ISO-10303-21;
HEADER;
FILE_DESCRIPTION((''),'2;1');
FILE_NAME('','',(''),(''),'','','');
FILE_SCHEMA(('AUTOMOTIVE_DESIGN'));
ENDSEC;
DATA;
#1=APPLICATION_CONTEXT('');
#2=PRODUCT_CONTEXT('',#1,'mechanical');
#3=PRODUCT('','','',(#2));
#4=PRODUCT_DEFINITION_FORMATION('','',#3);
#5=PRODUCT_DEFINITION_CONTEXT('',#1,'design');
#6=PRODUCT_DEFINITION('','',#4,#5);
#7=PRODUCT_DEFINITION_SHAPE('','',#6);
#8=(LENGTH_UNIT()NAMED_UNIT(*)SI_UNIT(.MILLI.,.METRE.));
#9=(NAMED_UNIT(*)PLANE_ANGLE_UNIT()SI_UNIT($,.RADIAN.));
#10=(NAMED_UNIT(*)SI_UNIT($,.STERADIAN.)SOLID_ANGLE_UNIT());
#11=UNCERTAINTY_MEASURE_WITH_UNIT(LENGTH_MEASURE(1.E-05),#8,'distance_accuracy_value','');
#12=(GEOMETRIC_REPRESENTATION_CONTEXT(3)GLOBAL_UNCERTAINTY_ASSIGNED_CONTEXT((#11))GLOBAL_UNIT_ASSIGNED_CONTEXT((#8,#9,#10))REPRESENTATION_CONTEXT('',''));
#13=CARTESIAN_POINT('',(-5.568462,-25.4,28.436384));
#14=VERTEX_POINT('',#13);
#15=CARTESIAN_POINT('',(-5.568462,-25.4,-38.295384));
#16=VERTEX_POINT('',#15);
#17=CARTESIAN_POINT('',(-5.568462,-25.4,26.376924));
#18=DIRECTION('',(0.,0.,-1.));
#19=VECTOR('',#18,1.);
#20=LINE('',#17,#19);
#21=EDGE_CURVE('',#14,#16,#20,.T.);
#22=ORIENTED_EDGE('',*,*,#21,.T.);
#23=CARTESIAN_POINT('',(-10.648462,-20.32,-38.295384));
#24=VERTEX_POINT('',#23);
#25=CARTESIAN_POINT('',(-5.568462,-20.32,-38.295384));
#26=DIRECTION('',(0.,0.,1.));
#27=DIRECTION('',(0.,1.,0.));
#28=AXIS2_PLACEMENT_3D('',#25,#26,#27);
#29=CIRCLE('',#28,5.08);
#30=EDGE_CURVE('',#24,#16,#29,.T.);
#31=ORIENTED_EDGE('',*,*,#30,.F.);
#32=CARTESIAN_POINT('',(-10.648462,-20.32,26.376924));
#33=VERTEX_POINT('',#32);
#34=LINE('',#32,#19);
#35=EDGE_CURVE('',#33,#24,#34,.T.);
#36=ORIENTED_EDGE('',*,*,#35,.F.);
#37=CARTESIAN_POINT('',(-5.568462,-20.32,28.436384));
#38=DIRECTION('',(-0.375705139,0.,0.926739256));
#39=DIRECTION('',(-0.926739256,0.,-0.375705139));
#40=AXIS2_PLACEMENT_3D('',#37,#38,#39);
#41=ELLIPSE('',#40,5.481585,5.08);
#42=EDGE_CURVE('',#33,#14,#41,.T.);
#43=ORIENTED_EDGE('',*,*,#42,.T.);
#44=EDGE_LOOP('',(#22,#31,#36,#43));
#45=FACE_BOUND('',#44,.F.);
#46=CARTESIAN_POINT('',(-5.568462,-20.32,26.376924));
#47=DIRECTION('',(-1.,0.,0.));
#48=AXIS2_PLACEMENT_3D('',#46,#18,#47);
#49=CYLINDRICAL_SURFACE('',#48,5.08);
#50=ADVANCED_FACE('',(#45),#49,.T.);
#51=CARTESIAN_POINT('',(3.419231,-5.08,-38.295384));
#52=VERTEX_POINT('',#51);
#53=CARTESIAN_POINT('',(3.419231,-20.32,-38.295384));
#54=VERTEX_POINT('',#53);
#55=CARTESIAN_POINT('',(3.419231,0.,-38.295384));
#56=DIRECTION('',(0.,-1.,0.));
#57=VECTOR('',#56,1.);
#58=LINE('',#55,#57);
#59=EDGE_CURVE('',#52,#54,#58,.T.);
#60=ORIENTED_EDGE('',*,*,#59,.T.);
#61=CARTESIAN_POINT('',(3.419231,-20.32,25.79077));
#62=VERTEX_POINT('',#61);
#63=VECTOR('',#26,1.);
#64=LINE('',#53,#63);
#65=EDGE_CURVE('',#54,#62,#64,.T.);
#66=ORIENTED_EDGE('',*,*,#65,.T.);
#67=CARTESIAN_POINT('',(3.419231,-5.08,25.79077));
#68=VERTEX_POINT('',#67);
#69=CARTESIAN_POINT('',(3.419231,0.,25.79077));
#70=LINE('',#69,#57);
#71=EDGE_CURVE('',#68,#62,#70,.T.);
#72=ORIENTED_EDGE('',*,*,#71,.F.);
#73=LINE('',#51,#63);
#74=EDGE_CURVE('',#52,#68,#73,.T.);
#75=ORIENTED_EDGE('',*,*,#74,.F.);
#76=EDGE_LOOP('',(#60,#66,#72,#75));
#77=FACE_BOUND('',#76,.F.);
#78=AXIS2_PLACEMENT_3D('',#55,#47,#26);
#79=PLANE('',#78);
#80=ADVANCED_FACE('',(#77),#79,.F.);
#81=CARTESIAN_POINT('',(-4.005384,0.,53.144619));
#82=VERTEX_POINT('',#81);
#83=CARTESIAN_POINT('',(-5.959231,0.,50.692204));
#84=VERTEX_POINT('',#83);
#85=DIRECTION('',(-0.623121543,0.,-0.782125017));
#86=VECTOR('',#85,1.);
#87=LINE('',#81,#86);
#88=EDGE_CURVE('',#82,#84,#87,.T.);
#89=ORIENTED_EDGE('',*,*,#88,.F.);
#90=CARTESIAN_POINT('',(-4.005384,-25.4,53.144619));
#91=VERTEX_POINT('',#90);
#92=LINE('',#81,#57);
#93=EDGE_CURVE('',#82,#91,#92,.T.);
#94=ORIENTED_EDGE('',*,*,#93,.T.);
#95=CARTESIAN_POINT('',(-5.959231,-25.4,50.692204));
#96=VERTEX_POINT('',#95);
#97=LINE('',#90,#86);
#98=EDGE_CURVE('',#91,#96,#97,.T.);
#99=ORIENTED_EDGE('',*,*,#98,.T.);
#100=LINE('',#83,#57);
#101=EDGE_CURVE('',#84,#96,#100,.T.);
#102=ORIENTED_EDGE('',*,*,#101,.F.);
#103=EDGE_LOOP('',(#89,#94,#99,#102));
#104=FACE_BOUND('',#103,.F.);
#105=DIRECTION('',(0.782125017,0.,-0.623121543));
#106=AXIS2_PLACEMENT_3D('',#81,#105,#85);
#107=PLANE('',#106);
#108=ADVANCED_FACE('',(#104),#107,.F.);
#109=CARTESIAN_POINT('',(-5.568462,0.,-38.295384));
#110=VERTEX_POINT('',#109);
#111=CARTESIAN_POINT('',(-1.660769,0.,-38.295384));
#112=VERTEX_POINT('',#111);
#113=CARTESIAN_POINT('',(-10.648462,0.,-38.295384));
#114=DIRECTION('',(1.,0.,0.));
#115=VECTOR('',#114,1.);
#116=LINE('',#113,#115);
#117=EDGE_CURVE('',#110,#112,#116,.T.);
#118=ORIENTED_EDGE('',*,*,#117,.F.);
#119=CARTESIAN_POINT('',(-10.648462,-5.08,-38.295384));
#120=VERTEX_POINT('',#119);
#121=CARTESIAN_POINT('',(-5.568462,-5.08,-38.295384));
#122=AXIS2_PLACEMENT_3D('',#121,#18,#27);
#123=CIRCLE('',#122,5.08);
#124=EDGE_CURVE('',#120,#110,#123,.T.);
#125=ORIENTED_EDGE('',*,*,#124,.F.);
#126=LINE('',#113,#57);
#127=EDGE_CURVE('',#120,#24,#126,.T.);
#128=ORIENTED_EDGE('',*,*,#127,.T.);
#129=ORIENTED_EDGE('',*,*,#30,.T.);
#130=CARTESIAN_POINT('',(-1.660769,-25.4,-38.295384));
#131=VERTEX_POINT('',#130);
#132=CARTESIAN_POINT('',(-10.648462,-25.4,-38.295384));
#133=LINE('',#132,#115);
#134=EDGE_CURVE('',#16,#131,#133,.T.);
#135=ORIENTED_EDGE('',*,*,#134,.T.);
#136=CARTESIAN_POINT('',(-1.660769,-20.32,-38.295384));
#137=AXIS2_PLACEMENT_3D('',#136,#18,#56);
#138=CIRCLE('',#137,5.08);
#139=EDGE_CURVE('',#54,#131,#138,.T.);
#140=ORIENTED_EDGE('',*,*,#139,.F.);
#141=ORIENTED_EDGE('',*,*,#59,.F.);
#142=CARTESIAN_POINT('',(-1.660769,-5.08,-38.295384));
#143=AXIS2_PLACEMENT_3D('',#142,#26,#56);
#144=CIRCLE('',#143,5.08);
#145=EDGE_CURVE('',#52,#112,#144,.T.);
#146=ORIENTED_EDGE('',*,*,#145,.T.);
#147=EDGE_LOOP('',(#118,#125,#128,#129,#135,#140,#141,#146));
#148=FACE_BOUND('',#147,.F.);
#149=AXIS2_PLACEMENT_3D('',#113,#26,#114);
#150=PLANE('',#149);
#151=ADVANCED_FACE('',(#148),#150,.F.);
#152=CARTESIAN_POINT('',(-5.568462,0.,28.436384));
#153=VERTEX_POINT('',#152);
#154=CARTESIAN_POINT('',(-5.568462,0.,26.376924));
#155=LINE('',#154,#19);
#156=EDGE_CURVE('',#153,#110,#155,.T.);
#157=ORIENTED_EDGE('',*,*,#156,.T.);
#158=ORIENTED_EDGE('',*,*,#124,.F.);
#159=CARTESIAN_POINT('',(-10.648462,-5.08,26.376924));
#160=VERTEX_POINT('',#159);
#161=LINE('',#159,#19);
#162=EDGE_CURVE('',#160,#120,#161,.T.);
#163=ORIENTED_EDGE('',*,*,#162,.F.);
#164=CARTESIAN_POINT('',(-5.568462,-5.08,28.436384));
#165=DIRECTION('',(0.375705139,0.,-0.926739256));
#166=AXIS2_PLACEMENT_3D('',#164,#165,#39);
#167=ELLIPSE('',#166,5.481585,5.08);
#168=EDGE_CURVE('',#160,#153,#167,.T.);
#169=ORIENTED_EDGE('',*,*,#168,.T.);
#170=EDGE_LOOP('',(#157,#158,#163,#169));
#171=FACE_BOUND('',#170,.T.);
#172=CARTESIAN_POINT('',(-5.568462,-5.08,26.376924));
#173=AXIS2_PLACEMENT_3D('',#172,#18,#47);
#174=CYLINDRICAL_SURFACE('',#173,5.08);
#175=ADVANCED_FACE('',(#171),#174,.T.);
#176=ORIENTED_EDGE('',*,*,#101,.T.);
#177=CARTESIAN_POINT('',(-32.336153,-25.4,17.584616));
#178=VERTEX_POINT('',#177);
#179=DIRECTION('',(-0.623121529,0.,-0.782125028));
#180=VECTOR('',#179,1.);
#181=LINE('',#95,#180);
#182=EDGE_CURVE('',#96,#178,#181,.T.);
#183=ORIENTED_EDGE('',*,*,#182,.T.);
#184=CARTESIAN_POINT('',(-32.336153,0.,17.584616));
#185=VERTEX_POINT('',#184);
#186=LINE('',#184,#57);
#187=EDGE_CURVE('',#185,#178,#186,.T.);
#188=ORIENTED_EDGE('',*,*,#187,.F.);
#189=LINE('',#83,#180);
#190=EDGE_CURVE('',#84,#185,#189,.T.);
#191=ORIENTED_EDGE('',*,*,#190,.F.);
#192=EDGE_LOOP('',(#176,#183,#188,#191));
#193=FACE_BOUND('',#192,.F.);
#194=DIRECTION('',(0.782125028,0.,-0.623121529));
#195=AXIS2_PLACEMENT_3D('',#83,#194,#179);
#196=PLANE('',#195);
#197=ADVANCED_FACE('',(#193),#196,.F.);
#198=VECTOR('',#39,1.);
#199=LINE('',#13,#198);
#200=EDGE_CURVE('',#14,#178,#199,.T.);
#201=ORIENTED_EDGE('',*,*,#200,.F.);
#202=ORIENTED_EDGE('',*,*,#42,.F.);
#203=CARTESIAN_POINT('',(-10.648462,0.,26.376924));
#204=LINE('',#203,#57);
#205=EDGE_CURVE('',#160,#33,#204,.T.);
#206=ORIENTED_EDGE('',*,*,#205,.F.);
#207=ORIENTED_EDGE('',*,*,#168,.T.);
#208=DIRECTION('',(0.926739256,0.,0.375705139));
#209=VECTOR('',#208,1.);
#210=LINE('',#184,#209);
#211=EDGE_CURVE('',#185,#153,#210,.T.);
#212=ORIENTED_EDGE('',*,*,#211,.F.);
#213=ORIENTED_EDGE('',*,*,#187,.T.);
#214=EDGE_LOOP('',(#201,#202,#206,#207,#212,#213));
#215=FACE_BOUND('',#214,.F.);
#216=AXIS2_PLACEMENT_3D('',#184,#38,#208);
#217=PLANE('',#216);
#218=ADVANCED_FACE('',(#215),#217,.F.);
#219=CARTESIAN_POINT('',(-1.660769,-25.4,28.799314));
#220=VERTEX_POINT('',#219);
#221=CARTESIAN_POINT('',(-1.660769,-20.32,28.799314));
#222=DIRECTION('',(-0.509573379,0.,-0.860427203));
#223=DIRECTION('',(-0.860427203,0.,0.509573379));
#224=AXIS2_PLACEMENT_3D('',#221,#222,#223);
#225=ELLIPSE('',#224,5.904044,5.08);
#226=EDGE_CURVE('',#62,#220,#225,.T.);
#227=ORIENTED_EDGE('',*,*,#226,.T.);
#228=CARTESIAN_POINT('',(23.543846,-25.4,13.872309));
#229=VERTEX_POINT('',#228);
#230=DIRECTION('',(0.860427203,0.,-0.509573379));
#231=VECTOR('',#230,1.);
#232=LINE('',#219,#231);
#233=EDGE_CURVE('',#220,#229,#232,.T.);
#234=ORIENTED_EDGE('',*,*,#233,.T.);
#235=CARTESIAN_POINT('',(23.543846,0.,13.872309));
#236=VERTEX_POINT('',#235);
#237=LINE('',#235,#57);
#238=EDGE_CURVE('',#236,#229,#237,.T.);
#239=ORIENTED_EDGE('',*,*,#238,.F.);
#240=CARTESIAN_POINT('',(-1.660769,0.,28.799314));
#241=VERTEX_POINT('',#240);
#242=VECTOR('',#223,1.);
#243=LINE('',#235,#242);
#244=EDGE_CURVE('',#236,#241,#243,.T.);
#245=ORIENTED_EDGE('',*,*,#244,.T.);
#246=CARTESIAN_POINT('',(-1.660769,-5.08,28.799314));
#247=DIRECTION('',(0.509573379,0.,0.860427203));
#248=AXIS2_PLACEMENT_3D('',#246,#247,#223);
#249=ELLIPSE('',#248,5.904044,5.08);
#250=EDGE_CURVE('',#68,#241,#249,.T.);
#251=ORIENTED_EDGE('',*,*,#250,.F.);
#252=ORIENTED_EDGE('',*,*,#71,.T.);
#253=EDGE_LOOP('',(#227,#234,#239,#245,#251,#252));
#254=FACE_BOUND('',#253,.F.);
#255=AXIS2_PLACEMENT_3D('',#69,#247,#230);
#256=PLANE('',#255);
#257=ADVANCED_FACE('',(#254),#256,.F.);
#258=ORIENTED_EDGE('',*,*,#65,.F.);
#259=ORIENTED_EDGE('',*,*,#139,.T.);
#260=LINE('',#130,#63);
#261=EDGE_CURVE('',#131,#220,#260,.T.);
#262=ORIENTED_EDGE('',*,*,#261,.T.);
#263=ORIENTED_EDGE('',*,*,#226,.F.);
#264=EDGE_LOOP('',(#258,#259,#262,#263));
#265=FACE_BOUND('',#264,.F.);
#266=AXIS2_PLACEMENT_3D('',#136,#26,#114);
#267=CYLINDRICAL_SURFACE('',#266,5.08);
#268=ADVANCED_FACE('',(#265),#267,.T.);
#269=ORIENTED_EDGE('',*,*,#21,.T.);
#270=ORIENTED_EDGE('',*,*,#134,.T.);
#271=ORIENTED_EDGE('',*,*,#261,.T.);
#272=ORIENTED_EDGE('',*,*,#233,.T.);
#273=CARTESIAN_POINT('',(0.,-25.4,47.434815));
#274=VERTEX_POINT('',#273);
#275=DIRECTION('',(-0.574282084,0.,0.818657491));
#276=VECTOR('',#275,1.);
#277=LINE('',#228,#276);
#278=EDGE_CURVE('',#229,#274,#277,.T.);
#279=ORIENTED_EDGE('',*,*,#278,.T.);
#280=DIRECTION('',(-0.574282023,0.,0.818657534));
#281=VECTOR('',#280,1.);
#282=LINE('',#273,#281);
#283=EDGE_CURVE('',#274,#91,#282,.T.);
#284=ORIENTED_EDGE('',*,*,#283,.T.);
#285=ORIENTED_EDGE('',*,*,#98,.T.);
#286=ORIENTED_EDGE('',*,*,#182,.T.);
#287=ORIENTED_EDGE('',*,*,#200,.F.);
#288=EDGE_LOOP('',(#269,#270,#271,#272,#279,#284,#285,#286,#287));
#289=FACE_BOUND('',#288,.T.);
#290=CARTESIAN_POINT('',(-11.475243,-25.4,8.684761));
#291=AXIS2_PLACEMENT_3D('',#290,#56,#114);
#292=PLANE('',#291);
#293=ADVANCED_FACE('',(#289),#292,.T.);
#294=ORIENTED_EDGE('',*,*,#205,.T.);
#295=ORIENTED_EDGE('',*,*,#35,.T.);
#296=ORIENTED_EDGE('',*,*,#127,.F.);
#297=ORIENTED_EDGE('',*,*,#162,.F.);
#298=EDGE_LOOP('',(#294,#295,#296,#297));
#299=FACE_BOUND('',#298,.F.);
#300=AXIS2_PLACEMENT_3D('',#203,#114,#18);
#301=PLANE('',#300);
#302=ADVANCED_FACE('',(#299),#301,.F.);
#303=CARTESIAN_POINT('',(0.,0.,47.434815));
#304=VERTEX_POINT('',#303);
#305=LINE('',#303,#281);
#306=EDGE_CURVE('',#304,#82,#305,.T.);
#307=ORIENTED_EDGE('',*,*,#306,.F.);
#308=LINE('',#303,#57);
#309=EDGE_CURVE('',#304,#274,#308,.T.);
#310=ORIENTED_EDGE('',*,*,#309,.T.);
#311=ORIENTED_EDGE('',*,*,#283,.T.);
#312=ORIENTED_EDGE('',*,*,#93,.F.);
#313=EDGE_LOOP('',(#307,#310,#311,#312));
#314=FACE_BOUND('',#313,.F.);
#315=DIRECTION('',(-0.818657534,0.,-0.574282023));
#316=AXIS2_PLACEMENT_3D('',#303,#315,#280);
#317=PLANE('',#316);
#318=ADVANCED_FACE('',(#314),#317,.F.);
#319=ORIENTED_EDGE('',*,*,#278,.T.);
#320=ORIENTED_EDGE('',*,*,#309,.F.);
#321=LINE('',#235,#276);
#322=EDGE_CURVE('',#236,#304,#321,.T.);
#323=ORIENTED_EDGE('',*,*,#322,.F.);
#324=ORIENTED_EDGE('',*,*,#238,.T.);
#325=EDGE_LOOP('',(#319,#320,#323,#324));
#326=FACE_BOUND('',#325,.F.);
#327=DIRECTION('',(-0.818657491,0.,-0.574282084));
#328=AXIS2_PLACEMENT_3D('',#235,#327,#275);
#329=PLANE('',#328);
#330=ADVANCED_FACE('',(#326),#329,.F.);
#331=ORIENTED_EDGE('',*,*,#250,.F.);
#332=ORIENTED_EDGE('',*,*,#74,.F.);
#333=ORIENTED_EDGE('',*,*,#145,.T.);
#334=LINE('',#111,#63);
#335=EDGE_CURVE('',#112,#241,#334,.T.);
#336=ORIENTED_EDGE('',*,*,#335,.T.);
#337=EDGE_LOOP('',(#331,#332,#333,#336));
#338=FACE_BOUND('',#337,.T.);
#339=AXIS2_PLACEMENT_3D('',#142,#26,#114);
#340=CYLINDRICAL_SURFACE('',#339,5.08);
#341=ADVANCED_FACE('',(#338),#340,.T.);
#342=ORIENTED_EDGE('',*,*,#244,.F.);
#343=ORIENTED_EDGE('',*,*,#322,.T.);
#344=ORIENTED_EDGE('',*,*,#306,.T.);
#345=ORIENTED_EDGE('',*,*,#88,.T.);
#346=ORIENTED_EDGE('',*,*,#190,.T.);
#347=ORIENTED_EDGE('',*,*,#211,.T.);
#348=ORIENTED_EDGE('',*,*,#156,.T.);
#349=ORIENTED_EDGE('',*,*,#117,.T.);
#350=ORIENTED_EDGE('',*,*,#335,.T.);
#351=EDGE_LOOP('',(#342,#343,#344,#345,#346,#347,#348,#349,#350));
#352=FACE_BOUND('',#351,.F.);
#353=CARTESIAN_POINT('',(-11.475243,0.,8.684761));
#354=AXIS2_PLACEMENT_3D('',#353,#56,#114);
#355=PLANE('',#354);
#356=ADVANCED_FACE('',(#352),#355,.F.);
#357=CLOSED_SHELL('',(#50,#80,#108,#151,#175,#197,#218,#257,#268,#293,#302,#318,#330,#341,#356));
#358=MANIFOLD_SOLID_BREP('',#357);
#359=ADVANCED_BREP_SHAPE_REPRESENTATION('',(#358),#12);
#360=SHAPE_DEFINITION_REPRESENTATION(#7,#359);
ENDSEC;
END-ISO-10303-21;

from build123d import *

# Parameters (mm, degrees)
F1_DEPTH = 25.4
F2_R     = 5.08


with BuildPart() as f1:
    # F0 (on Front) → F1 (new body)
    with BuildSketch(Plane.XZ):
        Polygon((-32.336153, 17.584616), (-10.648462, 26.376924), (-10.648462, -38.295384), (-5.959231, -38.295384), (-5.959231, 50.692204), align=None)
        Polygon((-5.959231, 50.692204), (-5.959231, -38.295384), (0, -38.295384), (0, 47.434815), (-4.005384, 53.144619), align=None)
        Polygon((0, 47.434815), (0, -38.295384), (3.419231, -38.295384), (3.419231, 25.79077), (23.543846, 13.872309), align=None)
    extrude(amount=F1_DEPTH)

    # F2
    f2_edges = [f1.edges().sort_by_distance(p)[0] for p in [
        (3.419231, -25.4, -6.252307),
        (-10.648462, -25.4, -5.95923),
        (3.419231, 0, -6.252307),
        (-10.648462, 0, -5.95923),
    ]]
    fillet(f2_edges, radius=F2_R)


solid = f1.part
